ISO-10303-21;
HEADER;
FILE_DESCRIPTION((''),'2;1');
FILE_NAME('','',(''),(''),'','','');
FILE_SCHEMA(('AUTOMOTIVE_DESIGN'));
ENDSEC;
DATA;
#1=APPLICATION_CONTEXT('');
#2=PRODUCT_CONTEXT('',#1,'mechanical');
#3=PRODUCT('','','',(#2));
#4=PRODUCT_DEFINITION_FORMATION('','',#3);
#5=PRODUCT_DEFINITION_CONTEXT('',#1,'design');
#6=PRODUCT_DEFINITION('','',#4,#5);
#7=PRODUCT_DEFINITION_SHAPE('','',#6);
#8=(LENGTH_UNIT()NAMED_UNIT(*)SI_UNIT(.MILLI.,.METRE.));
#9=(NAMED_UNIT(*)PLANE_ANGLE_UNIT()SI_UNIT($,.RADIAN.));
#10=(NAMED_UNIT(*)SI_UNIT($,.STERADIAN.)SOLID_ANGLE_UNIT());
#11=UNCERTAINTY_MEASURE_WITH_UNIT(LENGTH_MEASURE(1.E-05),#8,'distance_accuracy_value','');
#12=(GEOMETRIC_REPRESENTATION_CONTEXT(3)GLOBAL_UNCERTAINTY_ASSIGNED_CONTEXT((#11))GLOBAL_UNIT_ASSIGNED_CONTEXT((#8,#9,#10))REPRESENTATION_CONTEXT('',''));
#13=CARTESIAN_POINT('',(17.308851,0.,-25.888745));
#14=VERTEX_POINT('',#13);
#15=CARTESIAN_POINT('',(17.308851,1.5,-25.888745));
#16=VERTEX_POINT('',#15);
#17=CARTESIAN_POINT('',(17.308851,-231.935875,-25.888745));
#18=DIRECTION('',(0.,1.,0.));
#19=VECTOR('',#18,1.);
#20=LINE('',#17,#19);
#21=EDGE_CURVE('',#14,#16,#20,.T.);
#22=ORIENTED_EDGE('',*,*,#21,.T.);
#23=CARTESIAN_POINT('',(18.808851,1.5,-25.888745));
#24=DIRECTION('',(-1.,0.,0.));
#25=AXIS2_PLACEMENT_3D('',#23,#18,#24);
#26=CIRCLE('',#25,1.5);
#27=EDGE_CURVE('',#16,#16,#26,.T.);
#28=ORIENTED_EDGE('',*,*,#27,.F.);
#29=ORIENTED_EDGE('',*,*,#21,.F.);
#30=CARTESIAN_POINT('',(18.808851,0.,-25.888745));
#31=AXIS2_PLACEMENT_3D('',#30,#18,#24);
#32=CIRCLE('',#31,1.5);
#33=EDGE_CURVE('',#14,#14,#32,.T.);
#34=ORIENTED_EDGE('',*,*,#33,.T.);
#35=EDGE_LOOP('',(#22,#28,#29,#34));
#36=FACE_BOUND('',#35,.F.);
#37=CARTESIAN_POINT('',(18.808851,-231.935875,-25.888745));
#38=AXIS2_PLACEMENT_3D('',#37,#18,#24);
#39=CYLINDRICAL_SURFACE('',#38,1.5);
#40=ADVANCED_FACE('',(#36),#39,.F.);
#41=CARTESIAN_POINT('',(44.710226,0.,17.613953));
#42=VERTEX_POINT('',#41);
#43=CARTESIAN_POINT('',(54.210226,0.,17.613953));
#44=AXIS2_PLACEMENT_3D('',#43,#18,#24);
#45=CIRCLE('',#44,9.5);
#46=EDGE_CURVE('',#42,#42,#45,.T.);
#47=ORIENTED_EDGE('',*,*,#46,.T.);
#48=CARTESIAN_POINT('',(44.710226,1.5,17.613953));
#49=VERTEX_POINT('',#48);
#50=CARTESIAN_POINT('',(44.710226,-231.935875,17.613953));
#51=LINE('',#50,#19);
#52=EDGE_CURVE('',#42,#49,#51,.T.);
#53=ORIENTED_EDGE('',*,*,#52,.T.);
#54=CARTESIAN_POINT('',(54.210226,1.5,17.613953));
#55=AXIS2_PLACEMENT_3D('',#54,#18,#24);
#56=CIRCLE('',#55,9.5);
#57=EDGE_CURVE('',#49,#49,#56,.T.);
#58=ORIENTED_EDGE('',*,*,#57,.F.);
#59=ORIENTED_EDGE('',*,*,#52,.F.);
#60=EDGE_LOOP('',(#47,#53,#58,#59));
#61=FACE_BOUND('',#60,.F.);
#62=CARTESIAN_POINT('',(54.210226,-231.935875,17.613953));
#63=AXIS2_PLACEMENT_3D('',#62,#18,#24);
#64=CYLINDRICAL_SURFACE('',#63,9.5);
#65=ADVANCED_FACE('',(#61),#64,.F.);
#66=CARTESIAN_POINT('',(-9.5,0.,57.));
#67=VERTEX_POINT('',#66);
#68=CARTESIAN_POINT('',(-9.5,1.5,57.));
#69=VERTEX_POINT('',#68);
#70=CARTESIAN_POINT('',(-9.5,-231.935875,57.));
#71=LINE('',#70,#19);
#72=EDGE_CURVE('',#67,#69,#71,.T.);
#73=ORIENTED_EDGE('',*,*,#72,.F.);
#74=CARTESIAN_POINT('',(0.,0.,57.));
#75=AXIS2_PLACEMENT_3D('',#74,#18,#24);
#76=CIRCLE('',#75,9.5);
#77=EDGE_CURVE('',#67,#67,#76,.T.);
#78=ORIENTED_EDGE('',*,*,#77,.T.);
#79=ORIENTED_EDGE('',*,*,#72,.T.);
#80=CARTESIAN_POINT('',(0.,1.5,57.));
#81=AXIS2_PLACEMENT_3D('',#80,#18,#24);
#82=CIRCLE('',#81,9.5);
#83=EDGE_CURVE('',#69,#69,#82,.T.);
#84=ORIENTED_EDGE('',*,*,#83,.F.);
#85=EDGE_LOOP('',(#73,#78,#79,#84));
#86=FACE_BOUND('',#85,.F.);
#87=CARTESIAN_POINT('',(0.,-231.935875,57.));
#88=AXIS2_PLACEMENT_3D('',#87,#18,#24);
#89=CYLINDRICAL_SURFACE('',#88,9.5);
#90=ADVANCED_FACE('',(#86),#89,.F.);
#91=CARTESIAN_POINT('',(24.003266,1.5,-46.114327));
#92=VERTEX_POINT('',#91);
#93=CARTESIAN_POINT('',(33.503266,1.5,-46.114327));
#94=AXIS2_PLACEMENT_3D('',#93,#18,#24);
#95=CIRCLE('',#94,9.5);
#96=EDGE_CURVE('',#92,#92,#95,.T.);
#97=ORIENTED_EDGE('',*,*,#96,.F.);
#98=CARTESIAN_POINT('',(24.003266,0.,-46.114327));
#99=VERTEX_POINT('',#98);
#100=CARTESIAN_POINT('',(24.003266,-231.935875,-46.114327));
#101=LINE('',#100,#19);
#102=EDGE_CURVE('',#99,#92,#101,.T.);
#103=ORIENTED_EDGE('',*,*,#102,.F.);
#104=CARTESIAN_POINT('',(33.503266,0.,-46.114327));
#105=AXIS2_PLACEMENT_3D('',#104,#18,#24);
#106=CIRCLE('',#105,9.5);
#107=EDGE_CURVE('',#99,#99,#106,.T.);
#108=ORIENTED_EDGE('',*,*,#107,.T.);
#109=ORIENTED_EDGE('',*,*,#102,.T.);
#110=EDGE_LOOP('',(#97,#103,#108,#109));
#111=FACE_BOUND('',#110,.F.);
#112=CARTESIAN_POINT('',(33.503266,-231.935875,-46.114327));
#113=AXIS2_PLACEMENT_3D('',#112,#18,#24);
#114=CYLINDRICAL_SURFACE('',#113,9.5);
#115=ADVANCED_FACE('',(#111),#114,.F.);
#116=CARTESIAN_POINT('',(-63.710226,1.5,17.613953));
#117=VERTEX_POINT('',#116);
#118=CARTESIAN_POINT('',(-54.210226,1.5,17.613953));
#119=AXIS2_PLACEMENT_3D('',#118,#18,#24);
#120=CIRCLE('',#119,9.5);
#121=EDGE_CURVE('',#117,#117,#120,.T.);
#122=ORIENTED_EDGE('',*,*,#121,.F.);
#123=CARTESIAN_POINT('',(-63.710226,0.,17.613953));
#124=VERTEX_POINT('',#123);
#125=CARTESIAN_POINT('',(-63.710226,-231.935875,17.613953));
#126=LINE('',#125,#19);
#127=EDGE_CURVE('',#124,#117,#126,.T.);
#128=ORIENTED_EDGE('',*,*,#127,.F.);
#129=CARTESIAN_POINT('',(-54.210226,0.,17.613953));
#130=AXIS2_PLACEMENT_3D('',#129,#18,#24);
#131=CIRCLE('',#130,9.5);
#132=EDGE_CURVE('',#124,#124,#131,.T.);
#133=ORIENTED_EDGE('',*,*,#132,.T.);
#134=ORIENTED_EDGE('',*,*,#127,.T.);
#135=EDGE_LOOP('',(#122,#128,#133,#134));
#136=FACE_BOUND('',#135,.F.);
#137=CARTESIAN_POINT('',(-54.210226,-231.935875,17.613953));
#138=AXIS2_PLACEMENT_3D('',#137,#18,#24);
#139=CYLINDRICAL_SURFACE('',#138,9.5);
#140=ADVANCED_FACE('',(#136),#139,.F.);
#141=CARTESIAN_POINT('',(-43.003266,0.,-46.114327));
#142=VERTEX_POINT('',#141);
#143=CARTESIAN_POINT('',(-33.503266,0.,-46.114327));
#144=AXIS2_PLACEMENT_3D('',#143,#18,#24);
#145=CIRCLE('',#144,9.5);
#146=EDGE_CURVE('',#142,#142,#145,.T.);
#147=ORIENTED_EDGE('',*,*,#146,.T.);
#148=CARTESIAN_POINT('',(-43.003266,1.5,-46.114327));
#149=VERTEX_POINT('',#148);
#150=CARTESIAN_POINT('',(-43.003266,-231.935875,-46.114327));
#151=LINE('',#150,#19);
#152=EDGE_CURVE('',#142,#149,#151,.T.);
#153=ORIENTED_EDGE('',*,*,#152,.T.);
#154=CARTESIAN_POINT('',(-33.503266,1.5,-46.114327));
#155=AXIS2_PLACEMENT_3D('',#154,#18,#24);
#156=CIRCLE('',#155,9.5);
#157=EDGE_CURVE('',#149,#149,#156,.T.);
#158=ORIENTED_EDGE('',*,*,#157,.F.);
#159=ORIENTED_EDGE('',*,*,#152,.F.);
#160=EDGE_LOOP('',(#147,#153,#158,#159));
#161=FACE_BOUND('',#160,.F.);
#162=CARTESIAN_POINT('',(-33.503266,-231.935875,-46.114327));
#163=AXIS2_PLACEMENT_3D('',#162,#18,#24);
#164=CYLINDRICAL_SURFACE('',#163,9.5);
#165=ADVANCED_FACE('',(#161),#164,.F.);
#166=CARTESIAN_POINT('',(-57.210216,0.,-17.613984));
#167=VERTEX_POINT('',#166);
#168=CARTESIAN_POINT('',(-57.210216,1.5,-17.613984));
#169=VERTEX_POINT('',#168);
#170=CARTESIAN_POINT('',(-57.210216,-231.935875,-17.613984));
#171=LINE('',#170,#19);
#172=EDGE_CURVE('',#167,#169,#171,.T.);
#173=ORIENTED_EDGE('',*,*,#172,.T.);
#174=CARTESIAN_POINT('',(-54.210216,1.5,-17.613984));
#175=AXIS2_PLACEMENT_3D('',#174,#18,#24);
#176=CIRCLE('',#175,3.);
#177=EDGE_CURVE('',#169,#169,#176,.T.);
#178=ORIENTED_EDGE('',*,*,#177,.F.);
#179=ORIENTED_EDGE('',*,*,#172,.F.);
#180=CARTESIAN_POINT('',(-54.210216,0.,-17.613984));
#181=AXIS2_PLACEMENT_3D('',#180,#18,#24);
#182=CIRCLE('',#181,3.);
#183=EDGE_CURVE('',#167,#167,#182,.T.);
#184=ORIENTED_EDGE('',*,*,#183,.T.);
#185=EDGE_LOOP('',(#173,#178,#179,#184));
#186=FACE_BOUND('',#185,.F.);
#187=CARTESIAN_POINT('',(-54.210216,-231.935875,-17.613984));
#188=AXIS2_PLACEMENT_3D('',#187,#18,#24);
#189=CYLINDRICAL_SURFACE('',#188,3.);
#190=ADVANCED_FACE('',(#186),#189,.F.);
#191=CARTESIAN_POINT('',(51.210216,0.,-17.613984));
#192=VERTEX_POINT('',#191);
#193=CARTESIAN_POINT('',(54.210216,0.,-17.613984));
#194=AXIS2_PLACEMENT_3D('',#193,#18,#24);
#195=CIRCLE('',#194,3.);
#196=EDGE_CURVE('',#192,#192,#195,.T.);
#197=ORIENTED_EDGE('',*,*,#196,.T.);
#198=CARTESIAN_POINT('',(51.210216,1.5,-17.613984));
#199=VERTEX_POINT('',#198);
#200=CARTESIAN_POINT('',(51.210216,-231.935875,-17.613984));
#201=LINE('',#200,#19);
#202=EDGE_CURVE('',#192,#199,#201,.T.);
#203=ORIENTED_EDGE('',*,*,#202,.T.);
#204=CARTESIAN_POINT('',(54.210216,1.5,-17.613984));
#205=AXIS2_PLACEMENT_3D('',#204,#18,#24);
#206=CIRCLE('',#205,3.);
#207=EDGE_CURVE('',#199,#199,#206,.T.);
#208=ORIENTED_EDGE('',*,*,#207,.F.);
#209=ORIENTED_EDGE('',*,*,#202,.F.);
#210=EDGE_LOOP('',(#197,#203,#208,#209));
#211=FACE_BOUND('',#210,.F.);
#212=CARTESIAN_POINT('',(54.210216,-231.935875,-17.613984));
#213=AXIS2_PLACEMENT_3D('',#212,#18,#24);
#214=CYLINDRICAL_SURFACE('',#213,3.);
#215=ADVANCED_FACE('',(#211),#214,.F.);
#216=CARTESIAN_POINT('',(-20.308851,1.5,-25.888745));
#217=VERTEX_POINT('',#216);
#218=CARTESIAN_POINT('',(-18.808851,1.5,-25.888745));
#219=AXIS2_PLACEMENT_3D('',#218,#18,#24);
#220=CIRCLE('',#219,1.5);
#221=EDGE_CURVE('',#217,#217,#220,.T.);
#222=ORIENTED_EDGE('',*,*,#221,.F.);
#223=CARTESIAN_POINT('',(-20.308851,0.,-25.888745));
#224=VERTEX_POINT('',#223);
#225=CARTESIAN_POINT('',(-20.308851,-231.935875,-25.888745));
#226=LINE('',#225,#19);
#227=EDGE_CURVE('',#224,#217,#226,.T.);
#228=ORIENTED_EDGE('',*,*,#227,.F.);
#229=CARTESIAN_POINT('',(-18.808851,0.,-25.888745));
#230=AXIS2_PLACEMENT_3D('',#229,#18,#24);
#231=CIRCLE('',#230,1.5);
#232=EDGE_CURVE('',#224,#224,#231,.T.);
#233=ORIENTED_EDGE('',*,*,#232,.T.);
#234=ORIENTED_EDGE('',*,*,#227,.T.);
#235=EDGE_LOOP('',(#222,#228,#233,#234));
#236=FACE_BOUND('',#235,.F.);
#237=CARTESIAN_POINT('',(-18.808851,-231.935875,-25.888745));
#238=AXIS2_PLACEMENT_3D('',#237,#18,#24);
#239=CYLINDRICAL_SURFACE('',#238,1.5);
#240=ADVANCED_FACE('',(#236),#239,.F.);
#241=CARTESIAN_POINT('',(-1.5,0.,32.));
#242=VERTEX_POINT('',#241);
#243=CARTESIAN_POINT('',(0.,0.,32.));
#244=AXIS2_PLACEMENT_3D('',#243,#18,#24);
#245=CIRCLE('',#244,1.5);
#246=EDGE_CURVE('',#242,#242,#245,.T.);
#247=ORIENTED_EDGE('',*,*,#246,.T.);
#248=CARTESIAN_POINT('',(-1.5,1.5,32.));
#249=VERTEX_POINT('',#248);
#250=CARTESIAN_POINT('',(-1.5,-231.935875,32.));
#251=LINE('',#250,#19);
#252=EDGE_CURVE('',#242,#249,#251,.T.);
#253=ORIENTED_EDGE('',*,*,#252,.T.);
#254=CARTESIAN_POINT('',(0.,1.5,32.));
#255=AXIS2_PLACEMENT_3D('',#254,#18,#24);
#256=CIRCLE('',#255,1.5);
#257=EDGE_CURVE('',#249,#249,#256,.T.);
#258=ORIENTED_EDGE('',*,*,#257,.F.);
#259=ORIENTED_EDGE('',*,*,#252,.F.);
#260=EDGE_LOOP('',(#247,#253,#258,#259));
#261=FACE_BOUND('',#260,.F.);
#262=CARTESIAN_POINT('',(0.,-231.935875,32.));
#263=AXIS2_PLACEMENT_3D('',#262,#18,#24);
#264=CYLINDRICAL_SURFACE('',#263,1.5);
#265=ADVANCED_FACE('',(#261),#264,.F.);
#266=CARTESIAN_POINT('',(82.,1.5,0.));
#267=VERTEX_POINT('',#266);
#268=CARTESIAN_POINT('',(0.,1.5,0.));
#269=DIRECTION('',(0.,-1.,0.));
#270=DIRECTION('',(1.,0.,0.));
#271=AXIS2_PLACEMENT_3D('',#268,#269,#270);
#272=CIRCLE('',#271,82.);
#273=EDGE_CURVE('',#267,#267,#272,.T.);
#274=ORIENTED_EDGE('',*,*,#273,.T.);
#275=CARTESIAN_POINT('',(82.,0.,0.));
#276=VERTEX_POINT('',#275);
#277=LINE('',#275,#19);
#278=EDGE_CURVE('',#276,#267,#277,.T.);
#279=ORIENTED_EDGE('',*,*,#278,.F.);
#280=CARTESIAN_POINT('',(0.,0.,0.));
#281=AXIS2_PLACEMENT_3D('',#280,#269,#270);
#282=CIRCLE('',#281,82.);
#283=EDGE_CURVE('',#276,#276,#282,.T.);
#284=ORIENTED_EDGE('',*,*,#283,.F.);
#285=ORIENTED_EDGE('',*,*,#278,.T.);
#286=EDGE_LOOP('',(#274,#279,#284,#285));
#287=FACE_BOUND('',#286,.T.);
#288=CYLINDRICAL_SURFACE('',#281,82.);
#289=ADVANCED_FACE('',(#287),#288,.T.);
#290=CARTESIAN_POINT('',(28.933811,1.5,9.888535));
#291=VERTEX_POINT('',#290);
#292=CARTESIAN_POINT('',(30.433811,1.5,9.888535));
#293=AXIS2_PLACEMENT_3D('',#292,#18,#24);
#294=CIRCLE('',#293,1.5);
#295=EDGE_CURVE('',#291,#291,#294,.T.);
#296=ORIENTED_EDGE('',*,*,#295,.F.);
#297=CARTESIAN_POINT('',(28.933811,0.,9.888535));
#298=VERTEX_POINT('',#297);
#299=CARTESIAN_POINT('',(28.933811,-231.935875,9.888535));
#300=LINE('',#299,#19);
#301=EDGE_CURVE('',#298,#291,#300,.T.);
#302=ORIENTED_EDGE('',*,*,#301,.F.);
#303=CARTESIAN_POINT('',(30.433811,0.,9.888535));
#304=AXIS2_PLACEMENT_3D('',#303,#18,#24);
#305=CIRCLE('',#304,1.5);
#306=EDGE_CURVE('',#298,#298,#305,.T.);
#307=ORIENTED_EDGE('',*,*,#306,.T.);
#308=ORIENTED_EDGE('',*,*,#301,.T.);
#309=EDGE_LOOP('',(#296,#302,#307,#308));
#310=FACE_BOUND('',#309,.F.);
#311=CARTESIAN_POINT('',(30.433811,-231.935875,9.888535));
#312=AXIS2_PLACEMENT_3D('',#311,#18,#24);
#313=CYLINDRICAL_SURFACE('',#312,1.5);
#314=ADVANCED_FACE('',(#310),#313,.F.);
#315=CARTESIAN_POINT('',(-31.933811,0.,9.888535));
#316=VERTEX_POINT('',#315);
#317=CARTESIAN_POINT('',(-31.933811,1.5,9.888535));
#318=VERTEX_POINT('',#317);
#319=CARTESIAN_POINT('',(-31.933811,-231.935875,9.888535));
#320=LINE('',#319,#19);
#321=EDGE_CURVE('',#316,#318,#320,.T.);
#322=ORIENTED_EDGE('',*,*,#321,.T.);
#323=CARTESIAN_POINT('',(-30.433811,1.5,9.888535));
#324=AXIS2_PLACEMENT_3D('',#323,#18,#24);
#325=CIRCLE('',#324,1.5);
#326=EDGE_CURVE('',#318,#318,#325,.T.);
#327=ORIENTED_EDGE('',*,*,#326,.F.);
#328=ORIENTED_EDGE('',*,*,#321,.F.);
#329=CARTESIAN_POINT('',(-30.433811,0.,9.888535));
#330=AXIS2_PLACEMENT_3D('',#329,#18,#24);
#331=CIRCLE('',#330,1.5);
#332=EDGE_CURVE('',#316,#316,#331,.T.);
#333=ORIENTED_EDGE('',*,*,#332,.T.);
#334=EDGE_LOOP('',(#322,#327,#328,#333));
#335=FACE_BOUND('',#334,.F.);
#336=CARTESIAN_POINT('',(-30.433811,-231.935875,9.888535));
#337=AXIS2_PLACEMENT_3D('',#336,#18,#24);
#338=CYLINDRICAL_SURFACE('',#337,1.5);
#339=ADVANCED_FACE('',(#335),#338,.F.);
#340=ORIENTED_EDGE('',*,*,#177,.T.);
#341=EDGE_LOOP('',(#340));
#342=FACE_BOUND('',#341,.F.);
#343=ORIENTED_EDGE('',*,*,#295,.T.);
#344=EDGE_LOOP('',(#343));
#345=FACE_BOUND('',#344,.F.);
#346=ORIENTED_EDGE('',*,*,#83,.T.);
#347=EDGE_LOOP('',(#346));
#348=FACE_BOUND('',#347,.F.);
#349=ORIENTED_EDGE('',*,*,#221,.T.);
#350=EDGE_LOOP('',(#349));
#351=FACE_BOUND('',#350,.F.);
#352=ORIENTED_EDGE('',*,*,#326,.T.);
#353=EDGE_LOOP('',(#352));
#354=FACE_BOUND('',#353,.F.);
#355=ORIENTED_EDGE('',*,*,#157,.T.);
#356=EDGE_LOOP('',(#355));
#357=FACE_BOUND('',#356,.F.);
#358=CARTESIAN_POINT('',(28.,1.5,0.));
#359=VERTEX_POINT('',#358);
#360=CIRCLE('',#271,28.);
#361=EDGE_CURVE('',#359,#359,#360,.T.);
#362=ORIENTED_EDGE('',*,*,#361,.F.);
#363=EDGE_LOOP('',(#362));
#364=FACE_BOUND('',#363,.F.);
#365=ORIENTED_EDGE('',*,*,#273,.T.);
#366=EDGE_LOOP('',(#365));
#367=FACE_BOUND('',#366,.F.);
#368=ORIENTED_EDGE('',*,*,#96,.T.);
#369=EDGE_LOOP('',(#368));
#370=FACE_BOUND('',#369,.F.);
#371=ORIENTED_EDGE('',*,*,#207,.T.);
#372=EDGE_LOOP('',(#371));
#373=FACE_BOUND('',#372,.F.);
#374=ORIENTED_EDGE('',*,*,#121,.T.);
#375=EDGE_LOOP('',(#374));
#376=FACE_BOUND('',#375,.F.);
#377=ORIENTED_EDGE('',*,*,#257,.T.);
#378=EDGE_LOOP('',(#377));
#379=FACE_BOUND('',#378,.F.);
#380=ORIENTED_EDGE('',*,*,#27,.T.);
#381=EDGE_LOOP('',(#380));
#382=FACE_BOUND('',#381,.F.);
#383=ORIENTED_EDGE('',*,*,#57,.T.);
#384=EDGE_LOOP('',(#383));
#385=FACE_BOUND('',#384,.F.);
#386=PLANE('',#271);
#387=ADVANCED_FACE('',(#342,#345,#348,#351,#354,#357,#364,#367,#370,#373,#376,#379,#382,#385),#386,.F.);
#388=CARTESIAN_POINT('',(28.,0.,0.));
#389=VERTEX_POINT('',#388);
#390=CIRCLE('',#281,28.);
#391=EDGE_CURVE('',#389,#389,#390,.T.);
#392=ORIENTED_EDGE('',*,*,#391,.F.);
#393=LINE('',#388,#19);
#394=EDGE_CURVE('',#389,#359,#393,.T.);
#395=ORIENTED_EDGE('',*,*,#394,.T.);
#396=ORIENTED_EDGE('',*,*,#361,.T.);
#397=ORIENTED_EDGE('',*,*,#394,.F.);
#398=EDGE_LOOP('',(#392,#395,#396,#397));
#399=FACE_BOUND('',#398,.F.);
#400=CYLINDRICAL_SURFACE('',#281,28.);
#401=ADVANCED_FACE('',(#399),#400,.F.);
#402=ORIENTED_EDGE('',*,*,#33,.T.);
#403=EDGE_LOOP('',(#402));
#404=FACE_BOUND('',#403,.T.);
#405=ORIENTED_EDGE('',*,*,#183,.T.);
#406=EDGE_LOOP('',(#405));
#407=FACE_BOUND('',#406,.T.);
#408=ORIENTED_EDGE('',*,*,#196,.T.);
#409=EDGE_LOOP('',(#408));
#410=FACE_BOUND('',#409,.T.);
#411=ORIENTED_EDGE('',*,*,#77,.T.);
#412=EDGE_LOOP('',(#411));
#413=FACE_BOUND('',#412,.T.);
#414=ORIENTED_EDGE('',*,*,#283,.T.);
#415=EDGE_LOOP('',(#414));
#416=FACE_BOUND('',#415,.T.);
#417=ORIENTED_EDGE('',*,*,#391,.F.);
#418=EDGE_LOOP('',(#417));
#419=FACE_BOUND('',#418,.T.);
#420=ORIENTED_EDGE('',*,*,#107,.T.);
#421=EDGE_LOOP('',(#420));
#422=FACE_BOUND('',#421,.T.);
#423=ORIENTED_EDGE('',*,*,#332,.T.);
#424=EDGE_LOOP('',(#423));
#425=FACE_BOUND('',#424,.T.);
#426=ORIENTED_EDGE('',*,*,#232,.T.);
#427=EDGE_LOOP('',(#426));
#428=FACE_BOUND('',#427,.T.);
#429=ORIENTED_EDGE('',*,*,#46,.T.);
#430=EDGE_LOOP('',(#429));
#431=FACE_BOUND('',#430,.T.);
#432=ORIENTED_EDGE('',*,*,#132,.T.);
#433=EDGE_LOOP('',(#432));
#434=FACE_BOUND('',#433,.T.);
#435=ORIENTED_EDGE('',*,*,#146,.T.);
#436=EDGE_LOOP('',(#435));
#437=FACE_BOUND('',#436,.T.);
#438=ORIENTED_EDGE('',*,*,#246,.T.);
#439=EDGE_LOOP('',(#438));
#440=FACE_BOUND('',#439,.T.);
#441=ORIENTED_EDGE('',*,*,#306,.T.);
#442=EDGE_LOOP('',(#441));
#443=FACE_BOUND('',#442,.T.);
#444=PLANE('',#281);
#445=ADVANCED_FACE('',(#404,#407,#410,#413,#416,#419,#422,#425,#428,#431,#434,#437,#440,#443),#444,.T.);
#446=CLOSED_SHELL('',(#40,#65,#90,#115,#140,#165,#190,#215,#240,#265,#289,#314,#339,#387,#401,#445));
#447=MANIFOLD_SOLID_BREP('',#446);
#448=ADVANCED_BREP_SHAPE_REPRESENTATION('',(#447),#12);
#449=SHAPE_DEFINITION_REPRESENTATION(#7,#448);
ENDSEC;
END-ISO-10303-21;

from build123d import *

# Parameters (mm, degrees)
F0_R     = 82
F0_R_2   = 32
F0_R_3   = 28
F1_DEPTH = 1.5
F2_D     = 19
F3_D     = 6
F4_D     = 3


with BuildPart() as f1:
    # F0 (on Front) → F1 (new body)
    with BuildSketch(Plane.XZ):
        Circle(F0_R)
        Circle(F0_R_2, mode=Mode.SUBTRACT)
        Circle(F0_R_2)
        Circle(F0_R_3, mode=Mode.SUBTRACT)
    extrude(amount=-F1_DEPTH)

    # F2 (through all)
    with Locations(Plane.XZ):
        with Locations((0, 57), (54.2102264595, 17.6139531965), (33.5032664595, -46.1143268035), (-33.5032664595, -46.1143268035), (-54.2102264595, 17.6139531965)):
            Hole(F2_D / 2)

    # F3 (through all)
    with Locations(Plane.XZ):
        with Locations((-54.2102163981, -17.6139841623), (54.2102163981, -17.6139841623)):
            Hole(F3_D / 2)

    # F4 (through all)
    with Locations(Plane.XZ):
        with Locations((18.8088513457, -25.8887448722), (30.4338113457, 9.8885351278), (-18.8088513457, -25.8887448722), (-30.4338113457, 9.8885351278), (0, 32)):
            Hole(F4_D / 2)


solid = f1.part
